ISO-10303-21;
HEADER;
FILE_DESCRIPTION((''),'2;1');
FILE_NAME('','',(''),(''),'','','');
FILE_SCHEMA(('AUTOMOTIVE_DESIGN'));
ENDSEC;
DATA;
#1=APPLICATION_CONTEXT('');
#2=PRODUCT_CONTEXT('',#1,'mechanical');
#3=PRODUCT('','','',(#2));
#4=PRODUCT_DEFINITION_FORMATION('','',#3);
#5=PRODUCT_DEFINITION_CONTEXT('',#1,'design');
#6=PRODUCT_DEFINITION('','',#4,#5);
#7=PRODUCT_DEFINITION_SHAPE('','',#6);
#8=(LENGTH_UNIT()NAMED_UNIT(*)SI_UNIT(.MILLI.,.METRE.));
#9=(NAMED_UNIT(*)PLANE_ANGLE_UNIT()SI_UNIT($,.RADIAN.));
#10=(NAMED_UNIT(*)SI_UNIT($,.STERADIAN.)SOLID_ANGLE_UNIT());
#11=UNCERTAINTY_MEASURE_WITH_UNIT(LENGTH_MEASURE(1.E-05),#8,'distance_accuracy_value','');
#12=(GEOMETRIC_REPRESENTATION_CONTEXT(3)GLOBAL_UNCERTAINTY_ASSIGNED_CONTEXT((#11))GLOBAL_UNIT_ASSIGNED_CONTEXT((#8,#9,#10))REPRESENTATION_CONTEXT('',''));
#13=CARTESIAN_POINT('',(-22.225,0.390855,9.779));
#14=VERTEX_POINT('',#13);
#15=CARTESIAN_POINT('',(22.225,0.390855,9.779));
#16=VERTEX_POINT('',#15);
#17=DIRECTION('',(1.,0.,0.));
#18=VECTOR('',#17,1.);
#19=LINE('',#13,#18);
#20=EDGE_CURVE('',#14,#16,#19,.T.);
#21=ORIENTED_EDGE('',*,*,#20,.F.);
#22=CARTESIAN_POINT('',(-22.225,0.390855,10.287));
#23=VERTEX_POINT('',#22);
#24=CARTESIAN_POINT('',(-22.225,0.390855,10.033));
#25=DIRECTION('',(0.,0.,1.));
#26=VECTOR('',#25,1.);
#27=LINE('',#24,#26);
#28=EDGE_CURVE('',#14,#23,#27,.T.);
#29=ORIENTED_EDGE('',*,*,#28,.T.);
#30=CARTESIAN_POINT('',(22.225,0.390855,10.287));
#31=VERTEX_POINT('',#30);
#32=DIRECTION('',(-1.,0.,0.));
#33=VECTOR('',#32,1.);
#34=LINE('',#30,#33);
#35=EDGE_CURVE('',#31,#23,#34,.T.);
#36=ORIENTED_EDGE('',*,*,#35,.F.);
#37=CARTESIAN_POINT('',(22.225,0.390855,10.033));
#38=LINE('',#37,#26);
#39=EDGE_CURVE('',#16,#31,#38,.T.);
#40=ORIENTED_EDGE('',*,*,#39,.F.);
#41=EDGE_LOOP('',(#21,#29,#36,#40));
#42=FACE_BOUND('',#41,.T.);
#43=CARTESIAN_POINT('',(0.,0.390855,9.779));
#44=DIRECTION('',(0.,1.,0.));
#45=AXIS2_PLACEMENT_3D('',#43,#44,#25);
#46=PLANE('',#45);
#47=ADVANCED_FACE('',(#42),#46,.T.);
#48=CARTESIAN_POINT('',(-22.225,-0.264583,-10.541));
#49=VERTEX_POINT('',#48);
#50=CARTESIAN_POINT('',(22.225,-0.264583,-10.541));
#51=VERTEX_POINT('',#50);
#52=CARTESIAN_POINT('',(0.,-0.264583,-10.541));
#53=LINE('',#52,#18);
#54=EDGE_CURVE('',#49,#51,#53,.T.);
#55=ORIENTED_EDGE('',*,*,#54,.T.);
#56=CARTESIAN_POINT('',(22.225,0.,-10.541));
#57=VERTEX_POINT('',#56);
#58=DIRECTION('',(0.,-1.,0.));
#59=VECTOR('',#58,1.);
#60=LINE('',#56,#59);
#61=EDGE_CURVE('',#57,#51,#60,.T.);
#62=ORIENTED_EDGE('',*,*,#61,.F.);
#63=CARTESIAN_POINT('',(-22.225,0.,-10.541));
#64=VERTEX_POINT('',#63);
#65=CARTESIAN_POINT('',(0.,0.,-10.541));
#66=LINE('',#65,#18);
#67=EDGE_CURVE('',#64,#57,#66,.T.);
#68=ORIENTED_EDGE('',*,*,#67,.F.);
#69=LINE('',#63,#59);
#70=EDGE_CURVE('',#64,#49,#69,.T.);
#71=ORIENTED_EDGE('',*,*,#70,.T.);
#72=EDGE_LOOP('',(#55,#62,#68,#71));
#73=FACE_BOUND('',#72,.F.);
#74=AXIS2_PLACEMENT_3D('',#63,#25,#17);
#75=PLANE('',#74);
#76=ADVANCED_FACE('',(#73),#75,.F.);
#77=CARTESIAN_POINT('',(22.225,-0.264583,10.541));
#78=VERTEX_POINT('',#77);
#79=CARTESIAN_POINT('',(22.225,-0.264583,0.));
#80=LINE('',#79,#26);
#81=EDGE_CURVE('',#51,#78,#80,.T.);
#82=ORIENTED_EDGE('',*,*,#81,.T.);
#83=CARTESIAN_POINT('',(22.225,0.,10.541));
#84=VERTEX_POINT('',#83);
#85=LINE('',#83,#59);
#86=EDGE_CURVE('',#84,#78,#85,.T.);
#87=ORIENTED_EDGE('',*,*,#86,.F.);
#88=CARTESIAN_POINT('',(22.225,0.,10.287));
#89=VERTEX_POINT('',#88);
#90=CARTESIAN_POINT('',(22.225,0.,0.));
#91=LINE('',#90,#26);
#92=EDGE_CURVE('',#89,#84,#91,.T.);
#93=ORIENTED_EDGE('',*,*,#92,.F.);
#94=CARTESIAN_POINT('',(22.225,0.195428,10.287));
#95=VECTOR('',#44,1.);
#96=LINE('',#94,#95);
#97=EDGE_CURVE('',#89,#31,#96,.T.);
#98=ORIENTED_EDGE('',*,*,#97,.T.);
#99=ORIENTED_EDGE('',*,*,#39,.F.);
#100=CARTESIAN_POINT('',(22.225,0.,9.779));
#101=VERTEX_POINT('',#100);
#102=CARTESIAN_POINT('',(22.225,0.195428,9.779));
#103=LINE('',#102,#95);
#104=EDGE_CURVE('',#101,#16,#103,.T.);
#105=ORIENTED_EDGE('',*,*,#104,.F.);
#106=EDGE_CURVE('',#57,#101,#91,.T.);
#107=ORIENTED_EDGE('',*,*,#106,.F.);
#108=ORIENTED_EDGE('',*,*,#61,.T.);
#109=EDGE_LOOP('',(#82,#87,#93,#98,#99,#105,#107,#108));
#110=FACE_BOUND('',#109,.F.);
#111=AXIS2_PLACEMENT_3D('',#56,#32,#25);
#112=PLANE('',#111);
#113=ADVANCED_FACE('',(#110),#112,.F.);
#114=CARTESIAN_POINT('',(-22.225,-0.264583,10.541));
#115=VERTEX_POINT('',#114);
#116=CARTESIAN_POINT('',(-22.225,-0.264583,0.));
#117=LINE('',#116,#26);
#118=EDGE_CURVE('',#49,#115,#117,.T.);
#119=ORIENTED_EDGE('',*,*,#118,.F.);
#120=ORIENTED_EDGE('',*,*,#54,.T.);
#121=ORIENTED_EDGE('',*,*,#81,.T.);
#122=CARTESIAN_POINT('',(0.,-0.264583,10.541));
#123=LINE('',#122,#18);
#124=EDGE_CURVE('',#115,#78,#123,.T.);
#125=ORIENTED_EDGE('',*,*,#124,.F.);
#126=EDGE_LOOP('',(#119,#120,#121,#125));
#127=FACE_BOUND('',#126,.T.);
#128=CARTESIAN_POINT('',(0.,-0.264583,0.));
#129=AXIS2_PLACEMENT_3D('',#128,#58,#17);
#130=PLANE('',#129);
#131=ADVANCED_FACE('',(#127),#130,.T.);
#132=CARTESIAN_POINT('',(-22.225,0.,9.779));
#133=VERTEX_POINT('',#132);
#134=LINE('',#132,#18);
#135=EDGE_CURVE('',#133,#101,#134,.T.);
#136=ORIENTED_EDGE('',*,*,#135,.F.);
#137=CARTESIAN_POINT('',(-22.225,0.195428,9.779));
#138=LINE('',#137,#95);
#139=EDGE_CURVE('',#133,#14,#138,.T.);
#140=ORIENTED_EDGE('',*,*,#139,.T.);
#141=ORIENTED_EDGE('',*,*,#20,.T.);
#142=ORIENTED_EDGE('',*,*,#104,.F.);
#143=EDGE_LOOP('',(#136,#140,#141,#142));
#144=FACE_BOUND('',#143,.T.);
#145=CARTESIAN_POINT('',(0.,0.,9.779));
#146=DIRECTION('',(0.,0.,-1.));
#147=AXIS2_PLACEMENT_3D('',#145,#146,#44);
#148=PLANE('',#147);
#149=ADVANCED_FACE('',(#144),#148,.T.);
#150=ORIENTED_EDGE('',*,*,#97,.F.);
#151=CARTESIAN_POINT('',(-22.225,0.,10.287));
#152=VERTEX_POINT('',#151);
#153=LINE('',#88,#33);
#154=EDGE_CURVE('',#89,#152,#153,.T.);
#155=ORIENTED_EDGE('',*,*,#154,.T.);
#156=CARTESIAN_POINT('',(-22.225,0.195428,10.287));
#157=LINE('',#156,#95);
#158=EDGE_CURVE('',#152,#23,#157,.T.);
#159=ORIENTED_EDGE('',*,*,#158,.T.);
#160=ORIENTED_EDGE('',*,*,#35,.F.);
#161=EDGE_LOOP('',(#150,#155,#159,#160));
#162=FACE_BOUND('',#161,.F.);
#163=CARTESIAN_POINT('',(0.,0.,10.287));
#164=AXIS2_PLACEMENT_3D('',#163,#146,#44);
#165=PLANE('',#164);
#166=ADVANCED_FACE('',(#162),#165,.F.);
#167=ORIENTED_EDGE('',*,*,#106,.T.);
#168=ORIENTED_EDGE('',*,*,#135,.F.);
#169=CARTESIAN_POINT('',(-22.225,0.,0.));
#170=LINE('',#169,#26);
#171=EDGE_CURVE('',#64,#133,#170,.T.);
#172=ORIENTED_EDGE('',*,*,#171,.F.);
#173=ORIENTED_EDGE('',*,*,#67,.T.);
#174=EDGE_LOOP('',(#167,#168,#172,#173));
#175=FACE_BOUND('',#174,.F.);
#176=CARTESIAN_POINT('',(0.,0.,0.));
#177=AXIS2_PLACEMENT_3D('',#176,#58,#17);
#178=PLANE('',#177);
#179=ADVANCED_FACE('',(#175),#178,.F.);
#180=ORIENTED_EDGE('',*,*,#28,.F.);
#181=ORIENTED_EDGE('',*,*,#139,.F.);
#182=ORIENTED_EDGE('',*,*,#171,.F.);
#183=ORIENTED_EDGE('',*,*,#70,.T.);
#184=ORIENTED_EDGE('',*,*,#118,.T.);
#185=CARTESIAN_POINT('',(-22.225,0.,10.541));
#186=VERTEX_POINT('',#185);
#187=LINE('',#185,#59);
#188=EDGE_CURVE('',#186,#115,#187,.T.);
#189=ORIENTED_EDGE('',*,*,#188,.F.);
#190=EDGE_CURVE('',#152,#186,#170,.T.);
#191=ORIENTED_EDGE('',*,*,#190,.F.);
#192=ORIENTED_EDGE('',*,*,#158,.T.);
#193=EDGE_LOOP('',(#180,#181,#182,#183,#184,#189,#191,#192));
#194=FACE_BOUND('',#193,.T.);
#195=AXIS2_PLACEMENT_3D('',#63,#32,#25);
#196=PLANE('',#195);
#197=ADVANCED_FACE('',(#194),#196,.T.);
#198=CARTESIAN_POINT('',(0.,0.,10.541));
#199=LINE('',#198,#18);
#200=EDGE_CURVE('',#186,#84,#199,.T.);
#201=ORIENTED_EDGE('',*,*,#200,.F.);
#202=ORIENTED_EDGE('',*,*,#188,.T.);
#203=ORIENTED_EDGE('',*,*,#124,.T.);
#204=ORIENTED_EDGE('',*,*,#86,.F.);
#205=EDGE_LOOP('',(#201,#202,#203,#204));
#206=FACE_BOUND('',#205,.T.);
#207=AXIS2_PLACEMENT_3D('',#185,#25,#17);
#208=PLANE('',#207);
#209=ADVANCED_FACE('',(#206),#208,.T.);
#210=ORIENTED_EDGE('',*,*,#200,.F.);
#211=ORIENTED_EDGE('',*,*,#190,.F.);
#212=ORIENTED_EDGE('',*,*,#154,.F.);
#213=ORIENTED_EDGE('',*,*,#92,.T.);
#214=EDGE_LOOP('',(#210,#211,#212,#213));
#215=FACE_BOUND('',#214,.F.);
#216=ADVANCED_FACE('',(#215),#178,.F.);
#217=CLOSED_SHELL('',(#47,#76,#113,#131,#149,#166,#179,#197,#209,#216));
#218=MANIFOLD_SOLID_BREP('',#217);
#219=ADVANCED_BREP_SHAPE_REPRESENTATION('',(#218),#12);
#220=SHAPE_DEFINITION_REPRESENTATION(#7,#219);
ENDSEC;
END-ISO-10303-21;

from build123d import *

# Parameters (mm, degrees)
F0_W     = 44.45
F0_H     = 21.082
F1_DEPTH = 0.2645833334
F2_W     = 0.3908552
F2_H     = 0.508
F3_DEPTH = 22.225


with BuildPart() as f1:
    # F0 (on Front) → F1 (new body)
    with BuildSketch(Plane.XZ):
        Rectangle(F0_W, F0_H)
    extrude(amount=F1_DEPTH)

    # F2 (on Right) → F3 (join, symmetric)
    with BuildSketch(Plane.YZ):
        with Locations((0.1954276, 10.033)):
            Rectangle(F2_W, F2_H)
    extrude(amount=F3_DEPTH, both=True)


solid = f1.part
